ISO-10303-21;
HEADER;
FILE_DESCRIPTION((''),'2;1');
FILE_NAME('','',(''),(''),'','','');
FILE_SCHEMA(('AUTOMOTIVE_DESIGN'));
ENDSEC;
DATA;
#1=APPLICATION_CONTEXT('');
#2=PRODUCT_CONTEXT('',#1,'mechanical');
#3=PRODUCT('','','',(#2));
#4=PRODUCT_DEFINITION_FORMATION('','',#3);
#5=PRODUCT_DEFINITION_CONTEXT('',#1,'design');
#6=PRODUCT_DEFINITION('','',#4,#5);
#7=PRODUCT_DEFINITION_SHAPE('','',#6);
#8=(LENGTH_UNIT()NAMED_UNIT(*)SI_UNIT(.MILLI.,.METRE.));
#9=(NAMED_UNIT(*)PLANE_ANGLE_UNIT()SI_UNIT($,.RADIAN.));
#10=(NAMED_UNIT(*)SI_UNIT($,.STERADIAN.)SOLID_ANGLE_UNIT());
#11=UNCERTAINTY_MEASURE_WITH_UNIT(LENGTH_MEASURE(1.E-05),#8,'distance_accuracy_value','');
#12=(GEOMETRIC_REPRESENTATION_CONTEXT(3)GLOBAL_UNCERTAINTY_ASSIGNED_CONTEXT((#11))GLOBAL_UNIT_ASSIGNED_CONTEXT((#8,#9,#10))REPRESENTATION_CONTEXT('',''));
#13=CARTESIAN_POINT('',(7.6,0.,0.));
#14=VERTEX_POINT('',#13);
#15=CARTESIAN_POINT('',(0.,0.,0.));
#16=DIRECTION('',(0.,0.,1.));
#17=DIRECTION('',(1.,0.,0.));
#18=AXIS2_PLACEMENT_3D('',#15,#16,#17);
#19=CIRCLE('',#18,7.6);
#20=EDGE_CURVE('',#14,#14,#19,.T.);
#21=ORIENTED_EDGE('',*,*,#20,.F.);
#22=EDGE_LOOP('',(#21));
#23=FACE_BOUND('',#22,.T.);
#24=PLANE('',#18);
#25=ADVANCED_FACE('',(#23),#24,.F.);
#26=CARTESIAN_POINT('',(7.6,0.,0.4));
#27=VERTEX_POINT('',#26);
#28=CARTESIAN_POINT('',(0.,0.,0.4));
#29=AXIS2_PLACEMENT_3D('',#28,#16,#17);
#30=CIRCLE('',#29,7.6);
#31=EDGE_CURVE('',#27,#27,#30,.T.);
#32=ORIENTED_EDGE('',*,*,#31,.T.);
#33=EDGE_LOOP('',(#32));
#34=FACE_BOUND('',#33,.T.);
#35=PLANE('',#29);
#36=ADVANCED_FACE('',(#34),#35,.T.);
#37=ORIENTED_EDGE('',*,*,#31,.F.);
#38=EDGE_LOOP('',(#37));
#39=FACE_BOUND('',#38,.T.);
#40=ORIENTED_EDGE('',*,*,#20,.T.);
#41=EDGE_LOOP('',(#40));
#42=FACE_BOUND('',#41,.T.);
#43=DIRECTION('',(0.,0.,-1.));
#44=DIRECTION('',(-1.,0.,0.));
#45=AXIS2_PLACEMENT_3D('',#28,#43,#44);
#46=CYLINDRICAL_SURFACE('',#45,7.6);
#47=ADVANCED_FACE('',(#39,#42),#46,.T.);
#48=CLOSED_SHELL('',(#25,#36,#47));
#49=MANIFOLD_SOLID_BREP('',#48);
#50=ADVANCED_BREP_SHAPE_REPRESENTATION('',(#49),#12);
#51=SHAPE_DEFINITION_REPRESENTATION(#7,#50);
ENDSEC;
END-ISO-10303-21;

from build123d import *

# Parameters (mm, degrees)
CROQUIS1_R              = 7.6
SALIENTE_EXTRUIR1_DEPTH = 0.4


with BuildPart() as part:
    # Croquis1 → Saliente-Extruir1 (new body)
    with BuildSketch(Plane.XY):
        Circle(CROQUIS1_R)
    extrude(amount=SALIENTE_EXTRUIR1_DEPTH)


solid = part.part
